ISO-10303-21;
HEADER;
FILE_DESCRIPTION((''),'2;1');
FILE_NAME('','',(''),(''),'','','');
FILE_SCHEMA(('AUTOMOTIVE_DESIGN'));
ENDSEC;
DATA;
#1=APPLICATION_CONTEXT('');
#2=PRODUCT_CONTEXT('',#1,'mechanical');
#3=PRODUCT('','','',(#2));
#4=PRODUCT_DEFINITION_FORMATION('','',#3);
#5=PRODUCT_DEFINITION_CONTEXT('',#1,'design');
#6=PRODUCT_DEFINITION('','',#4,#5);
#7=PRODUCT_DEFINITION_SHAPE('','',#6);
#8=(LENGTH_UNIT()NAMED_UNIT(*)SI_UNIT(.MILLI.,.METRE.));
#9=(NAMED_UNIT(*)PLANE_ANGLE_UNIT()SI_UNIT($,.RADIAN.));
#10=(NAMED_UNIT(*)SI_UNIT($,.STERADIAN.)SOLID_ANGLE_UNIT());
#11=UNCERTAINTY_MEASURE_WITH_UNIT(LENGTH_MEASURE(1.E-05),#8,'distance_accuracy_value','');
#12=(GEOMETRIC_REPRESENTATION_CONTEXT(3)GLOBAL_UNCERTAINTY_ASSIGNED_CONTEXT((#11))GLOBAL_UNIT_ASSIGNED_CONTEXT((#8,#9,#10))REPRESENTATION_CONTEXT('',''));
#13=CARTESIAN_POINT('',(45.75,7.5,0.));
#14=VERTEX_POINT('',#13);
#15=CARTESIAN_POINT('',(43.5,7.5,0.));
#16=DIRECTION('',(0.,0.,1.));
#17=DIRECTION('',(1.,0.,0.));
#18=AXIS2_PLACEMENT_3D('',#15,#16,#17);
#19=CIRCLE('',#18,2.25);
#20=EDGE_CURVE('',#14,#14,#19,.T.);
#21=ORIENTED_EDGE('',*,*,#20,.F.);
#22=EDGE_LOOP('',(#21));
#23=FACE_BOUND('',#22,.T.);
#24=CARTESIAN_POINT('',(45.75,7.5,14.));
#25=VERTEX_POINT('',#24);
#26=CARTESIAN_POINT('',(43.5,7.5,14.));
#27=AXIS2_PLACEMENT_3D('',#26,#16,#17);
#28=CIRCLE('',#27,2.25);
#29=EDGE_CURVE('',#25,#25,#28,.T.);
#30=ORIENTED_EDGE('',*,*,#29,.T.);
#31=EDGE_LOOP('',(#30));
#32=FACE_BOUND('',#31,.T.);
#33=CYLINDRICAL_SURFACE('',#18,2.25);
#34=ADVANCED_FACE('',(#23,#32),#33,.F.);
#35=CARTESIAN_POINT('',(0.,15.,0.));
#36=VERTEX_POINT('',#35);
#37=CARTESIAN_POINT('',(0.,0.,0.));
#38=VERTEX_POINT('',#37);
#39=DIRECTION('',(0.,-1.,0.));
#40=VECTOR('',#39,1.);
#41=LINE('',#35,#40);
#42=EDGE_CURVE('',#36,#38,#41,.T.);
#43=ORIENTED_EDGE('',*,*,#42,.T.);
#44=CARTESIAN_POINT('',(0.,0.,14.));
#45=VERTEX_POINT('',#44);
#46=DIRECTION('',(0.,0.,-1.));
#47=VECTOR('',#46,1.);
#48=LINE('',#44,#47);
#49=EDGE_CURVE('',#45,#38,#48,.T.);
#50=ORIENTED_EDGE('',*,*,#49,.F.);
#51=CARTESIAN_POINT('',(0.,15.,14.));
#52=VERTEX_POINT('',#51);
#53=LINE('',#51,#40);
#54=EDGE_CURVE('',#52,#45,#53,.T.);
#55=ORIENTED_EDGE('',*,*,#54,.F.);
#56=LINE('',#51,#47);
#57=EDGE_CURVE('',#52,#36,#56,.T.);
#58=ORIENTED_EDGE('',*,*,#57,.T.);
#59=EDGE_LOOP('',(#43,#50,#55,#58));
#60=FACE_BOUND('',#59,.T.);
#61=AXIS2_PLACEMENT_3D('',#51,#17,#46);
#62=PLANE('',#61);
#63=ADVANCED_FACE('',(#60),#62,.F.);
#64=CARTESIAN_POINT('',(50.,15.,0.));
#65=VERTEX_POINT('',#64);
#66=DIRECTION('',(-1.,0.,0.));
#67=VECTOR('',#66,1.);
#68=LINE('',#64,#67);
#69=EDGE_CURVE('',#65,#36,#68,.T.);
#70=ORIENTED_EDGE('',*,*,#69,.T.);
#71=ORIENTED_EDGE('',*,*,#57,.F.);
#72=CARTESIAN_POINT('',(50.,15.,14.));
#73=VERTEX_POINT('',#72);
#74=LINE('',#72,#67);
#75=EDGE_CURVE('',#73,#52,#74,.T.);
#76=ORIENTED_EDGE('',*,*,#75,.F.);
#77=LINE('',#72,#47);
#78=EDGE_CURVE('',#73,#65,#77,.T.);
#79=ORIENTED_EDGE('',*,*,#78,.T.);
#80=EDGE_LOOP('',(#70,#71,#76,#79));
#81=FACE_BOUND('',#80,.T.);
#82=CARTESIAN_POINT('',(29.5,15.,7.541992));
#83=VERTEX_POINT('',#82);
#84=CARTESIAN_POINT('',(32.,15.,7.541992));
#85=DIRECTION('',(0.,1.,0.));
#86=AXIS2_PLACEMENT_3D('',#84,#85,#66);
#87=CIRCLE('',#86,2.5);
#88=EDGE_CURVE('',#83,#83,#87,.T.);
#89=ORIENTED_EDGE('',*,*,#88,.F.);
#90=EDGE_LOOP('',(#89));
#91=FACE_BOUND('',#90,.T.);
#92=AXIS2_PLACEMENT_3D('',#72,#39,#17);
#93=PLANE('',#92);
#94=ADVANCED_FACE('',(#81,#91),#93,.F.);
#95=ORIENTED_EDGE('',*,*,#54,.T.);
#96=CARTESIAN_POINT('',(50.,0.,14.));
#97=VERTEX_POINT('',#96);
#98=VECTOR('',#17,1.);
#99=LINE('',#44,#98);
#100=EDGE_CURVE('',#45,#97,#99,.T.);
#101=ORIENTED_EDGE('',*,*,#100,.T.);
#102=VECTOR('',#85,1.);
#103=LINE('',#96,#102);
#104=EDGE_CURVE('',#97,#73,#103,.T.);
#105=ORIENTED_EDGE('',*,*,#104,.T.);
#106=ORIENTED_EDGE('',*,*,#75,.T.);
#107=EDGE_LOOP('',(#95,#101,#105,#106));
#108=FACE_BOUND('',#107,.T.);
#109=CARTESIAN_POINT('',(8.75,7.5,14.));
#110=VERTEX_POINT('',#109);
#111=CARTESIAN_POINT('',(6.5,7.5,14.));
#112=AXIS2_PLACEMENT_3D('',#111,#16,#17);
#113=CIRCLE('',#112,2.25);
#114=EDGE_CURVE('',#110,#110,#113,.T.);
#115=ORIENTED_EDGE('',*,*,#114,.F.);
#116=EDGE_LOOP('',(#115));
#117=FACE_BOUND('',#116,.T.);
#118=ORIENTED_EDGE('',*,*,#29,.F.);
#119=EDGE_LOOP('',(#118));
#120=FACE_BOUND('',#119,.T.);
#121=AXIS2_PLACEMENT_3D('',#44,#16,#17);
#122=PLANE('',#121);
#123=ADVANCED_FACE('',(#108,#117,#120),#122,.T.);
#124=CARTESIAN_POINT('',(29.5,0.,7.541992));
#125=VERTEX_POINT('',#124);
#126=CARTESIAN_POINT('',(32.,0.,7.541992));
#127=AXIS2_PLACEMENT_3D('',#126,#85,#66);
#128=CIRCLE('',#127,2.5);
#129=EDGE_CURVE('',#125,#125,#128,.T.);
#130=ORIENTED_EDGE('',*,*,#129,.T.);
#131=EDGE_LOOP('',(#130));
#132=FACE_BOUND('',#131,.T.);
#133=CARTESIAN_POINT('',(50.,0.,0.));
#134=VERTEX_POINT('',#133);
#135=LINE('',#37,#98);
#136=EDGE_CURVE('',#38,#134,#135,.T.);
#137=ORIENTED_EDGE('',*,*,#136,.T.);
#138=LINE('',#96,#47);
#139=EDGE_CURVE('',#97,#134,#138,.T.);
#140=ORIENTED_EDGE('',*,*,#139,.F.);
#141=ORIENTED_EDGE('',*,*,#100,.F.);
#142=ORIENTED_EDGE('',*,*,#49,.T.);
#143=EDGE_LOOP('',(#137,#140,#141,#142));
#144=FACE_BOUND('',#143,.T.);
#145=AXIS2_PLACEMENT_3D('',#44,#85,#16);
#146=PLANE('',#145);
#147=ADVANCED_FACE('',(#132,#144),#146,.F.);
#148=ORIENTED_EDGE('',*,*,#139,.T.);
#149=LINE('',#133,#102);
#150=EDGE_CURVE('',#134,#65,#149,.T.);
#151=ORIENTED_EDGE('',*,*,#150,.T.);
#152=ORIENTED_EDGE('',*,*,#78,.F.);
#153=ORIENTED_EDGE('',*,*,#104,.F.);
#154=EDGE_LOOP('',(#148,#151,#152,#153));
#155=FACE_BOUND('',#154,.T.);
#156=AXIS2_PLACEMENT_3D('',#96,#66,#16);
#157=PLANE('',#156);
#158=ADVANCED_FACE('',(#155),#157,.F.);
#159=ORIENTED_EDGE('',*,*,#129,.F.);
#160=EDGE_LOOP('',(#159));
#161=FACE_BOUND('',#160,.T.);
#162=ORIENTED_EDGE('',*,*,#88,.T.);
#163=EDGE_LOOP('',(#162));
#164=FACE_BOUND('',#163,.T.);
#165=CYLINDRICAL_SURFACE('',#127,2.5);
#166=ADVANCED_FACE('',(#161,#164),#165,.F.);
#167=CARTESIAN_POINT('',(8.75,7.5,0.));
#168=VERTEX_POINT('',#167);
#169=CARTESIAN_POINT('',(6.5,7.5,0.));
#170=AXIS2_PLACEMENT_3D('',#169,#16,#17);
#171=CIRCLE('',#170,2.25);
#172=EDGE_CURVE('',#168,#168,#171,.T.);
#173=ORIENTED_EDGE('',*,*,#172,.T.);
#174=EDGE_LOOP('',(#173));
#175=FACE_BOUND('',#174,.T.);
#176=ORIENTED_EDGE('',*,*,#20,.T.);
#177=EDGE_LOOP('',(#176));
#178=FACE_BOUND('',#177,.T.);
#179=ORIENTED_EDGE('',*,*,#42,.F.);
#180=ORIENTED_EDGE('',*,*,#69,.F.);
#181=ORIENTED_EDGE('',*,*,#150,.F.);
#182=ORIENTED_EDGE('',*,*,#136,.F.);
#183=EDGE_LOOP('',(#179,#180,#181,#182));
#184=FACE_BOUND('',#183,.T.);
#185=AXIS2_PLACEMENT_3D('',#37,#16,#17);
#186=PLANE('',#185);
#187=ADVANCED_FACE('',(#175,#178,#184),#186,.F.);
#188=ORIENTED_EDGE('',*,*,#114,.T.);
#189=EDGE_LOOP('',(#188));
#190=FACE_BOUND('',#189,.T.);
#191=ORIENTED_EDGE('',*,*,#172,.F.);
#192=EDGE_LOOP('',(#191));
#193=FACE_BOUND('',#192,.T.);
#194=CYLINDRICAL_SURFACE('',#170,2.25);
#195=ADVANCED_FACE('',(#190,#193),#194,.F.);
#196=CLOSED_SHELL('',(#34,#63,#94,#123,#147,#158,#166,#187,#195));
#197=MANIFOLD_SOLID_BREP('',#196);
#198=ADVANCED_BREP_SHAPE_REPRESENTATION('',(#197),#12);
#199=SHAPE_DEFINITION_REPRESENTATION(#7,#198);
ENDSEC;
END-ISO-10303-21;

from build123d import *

# Parameters (mm, degrees)
SKETCH1_W           = 50
SKETCH1_H           = 15
BOSS_EXTRUDE1_DEPTH = 14
SKETCH2_R           = 2.5
CUT_EXTRUDE1_DEPTH  = 16
SKETCH3_R           = 2.25
CUT_EXTRUDE2_DEPTH  = 15


with BuildPart() as part:
    # Sketch1 → Boss-Extrude1 (new body)
    with BuildSketch(Plane.XY):
        with Locations((25, 7.5)):
            Rectangle(SKETCH1_W, SKETCH1_H)
    extrude(amount=BOSS_EXTRUDE1_DEPTH)

    # Sketch2 → Cut-Extrude1 (cut, through all)
    with BuildSketch(Plane(origin=(0, 15, 0), x_dir=(1, 0, 0), z_dir=(0, 1, 0))):
        with Locations((32, -7.541991602)):
            Circle(SKETCH2_R)
    extrude(amount=-CUT_EXTRUDE1_DEPTH, mode=Mode.SUBTRACT)

    # Sketch3 → Cut-Extrude2 (cut, through all)
    with BuildSketch(Plane.XY.offset(14)):
        with Locations((6.5, 7.5)):
            Circle(SKETCH3_R)
        with Locations((43.5, 7.5)):
            Circle(SKETCH3_R)
    extrude(amount=-CUT_EXTRUDE2_DEPTH, mode=Mode.SUBTRACT)


solid = part.part
